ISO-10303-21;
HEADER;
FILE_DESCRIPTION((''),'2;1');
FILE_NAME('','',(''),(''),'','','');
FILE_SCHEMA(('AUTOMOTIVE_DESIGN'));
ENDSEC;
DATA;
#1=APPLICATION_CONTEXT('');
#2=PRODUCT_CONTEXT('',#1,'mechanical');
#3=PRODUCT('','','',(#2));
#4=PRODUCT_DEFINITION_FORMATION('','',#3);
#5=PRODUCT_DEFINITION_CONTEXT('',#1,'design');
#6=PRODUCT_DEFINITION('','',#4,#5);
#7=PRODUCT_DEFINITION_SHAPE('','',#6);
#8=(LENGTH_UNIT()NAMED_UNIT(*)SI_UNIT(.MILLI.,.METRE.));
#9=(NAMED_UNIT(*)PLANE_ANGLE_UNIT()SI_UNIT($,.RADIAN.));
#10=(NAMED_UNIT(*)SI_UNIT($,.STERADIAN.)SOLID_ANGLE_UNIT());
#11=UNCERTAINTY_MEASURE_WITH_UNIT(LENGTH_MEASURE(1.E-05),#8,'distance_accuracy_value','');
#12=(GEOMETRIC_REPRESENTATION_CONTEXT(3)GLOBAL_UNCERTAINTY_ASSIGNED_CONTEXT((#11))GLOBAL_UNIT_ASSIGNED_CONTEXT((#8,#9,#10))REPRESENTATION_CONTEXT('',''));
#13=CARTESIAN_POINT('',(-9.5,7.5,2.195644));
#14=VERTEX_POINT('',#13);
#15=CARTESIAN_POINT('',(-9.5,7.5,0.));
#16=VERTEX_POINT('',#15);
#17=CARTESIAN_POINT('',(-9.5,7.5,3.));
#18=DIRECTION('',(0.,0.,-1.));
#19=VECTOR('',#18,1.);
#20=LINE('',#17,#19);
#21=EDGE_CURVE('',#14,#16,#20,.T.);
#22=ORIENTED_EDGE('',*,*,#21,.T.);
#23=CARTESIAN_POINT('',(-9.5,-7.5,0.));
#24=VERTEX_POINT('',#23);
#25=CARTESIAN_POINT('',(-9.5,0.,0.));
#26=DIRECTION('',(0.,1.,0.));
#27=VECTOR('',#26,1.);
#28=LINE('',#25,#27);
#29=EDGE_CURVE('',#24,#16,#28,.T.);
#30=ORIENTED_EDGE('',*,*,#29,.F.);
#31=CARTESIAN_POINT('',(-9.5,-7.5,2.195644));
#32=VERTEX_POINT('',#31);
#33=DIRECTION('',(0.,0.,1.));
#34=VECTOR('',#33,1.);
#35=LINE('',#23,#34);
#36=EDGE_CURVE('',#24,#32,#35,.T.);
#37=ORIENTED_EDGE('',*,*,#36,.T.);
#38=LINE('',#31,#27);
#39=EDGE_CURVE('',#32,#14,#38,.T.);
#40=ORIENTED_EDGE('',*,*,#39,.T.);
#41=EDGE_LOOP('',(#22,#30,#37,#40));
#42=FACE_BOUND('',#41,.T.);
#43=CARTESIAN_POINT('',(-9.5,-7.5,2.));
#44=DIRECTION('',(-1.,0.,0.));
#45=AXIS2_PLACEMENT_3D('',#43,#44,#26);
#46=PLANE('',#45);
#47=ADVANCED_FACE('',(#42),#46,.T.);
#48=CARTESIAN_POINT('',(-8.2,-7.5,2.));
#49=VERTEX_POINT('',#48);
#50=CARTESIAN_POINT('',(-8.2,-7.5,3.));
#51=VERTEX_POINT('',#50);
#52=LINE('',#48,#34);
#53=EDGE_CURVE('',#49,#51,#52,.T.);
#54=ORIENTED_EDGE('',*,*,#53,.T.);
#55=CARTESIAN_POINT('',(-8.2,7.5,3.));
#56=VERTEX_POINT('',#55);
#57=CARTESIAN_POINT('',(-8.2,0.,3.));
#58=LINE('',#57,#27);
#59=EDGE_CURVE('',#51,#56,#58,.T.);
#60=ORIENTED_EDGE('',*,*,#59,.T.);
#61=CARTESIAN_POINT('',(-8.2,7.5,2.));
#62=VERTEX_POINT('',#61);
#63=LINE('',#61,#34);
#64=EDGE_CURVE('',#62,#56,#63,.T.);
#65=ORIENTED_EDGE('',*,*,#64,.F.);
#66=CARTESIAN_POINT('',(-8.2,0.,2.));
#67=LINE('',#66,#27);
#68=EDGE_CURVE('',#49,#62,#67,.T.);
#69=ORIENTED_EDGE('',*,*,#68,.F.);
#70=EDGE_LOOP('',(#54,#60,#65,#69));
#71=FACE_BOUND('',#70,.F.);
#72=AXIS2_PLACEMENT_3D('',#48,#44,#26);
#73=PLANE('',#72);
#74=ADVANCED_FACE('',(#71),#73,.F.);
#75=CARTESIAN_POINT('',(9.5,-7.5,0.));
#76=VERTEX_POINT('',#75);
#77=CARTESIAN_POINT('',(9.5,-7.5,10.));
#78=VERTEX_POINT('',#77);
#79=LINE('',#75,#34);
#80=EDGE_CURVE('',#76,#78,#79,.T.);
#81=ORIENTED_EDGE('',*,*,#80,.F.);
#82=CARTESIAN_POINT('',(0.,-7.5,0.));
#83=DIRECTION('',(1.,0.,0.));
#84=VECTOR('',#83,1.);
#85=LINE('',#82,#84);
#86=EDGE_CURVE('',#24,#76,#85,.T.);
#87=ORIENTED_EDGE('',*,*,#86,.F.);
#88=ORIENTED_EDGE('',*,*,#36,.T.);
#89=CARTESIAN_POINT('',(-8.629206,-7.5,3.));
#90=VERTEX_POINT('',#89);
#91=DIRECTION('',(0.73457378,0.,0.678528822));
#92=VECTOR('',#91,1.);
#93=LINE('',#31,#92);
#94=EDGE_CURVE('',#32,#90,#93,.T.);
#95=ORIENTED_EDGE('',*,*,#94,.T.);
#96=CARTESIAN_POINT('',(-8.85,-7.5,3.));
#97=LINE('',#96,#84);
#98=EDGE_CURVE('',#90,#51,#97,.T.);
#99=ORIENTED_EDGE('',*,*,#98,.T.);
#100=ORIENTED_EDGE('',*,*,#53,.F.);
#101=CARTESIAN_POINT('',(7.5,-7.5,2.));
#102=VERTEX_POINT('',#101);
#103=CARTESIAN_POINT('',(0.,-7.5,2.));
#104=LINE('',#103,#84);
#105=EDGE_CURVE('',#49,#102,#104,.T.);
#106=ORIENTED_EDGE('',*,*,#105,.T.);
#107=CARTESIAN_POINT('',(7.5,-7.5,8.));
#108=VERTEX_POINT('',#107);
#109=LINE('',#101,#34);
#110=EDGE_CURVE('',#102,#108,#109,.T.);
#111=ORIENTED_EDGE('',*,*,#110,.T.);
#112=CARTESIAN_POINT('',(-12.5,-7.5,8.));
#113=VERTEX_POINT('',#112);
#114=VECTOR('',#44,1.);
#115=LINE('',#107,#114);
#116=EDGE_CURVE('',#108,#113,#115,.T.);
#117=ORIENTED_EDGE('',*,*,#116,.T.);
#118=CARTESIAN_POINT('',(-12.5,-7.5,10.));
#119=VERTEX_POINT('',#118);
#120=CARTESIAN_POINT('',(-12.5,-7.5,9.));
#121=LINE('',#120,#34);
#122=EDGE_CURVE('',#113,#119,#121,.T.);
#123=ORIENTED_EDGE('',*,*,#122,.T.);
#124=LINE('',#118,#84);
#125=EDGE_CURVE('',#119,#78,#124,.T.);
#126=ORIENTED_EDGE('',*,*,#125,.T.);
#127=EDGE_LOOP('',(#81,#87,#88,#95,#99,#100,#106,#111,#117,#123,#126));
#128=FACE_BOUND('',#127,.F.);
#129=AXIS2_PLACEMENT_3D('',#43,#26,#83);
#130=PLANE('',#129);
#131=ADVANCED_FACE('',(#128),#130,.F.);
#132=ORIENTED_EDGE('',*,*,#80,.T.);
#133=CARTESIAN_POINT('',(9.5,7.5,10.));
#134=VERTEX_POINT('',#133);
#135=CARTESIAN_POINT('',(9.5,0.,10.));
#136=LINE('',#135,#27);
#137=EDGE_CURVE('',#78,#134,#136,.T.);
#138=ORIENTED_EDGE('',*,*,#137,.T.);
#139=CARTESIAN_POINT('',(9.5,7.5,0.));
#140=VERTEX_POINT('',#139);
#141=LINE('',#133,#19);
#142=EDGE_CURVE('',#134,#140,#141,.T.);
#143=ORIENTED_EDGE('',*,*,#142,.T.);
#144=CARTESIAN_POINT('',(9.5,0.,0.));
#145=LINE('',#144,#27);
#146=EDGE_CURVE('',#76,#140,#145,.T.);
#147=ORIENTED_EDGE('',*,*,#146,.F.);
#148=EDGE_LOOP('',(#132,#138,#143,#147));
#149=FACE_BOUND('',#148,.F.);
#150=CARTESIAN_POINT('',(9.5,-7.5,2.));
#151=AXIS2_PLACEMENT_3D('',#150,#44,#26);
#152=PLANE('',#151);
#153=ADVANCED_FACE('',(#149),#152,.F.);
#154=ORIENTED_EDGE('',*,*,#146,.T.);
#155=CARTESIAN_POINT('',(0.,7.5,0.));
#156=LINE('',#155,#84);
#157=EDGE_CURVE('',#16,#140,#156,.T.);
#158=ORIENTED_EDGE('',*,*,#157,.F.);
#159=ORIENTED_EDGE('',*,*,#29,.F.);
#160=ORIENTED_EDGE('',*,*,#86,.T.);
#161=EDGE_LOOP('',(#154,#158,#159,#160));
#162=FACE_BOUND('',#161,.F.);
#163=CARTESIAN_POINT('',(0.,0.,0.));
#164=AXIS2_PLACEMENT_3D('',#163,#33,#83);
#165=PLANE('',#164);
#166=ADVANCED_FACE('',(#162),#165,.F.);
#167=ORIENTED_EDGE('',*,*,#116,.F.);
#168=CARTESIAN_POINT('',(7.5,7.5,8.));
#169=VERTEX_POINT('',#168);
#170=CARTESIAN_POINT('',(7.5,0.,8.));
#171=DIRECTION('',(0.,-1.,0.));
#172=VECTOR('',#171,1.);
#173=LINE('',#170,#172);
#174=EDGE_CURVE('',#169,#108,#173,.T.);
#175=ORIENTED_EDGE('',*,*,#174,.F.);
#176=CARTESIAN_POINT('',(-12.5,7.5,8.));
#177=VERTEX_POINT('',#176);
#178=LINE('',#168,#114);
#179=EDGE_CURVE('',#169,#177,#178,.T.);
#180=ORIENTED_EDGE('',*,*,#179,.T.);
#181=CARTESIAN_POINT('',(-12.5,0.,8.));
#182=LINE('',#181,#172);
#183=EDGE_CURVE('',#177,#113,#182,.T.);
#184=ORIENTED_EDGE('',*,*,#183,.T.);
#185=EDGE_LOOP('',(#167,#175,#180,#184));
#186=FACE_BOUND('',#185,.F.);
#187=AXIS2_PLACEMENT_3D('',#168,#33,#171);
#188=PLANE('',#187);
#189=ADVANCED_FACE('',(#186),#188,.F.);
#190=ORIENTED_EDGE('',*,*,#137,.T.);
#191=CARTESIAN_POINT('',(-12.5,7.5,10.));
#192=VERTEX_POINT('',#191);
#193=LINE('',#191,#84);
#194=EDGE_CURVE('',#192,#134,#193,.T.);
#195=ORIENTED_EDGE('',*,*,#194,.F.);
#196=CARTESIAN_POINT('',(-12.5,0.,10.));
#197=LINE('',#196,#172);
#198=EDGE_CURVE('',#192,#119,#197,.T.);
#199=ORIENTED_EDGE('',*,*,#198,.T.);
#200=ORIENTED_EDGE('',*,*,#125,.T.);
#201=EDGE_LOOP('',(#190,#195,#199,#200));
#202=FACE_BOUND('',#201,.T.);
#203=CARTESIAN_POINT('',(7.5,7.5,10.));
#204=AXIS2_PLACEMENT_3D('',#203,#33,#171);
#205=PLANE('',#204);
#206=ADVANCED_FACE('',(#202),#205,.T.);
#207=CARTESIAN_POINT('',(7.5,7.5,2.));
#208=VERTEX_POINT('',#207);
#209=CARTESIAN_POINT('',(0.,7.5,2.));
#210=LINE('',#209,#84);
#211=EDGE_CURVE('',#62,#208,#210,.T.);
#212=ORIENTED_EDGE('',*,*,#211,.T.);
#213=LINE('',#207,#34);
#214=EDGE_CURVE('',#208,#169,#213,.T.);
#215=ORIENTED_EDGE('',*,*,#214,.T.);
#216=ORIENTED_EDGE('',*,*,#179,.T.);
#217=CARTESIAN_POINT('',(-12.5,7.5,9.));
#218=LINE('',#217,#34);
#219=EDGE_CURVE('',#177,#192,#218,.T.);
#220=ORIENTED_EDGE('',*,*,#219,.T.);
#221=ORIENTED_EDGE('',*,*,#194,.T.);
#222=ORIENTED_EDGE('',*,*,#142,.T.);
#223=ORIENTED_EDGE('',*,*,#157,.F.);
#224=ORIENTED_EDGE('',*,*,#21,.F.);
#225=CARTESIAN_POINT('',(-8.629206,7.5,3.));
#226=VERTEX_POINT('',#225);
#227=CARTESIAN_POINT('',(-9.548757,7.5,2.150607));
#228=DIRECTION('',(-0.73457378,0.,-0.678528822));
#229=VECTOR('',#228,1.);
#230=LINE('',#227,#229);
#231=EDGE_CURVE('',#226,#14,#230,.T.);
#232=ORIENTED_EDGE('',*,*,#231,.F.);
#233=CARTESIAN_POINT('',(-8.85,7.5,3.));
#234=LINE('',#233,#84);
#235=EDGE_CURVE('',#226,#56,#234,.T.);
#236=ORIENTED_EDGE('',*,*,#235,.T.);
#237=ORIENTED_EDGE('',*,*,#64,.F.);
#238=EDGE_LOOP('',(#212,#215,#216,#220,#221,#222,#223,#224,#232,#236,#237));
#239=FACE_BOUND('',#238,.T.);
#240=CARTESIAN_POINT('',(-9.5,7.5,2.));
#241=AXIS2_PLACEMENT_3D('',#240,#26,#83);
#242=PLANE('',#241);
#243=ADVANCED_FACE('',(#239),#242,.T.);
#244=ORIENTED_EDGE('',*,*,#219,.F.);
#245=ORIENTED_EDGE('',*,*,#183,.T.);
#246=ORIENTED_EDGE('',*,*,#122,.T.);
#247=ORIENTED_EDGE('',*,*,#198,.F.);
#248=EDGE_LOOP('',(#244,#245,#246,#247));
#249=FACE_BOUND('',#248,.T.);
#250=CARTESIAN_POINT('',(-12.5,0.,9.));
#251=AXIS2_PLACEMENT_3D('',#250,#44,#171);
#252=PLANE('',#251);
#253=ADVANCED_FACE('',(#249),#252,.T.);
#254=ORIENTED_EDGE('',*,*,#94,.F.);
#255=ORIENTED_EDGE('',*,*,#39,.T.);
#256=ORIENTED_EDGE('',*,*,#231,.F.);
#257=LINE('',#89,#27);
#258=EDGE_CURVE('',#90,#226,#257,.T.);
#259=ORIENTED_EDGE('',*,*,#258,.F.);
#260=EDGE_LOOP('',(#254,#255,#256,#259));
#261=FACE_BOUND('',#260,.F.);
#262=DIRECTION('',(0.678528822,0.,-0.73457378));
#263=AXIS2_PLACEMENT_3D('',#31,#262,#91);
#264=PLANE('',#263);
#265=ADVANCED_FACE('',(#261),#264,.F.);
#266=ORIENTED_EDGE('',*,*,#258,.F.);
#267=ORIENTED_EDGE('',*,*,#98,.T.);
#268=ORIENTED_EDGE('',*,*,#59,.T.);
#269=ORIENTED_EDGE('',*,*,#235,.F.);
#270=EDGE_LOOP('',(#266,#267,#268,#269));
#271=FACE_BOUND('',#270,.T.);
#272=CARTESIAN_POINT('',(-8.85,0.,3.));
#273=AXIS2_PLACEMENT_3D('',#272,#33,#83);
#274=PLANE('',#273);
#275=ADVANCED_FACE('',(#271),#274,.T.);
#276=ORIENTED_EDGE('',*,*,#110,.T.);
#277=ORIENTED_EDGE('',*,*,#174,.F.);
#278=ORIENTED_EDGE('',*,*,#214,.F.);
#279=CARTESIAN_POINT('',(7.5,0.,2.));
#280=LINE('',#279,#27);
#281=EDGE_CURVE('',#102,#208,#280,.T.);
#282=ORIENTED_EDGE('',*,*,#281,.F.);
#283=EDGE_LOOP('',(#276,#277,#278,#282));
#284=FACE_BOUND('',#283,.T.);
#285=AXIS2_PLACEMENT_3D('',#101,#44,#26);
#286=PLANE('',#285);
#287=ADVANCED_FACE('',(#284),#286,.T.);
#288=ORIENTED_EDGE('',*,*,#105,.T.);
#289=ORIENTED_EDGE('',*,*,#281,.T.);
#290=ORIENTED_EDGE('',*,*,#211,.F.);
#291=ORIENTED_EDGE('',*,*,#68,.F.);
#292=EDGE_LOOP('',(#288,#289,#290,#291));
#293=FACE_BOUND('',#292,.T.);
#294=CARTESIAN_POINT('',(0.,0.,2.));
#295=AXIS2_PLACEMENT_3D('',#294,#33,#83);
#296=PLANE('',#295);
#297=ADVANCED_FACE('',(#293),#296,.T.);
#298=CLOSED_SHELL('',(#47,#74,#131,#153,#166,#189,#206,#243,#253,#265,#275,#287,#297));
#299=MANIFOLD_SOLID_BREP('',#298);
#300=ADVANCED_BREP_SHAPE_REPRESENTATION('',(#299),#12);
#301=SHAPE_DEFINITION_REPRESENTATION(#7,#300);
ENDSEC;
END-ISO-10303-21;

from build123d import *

# Parameters (mm, degrees)
F0_W     = 19
F0_H     = 15
F1_DEPTH = 2
F2_W     = 2
F2_H     = 15
F3_DEPTH = 8
F4_W     = 15
F4_H     = 2
F5_DEPTH = 20
F6_W     = 1.3
F6_H     = 15
F7_DEPTH = 1
F9_DEPTH = 25


with BuildPart() as f1:
    # F0 (on Top) → F1 (new body)
    with BuildSketch(Plane.XY):
        Rectangle(F0_W, F0_H)
    extrude(amount=F1_DEPTH)

    # F2 (on face) → F3 (join)
    with BuildSketch(Plane.XY.offset(2)):
        with Locations((8.5, 0)):
            Rectangle(F2_W, F2_H)
    extrude(amount=F3_DEPTH)

    # F4 (on face) → F5 (join)
    with BuildSketch(Plane(origin=(7.5, 0, 0), x_dir=(0, -1, 0), z_dir=(-1, 0, 0))):
        with Locations((0, 9)):
            Rectangle(F4_W, F4_H)
    extrude(amount=F5_DEPTH)

    # F6 (on face) → F7 (join)
    with BuildSketch(Plane.XY.offset(2)):
        with Locations((-8.85, 0)):
            Rectangle(F6_W, F6_H)
    extrude(amount=F7_DEPTH)

    # F8 (on face) → F9 (cut)
    with BuildSketch(Plane.XZ.offset(7.5)):
        Polygon((-9.5, 3), (-9.5, 2.195644), (-8.629206, 3), align=None)
    extrude(amount=-F9_DEPTH, mode=Mode.SUBTRACT)


solid = f1.part
